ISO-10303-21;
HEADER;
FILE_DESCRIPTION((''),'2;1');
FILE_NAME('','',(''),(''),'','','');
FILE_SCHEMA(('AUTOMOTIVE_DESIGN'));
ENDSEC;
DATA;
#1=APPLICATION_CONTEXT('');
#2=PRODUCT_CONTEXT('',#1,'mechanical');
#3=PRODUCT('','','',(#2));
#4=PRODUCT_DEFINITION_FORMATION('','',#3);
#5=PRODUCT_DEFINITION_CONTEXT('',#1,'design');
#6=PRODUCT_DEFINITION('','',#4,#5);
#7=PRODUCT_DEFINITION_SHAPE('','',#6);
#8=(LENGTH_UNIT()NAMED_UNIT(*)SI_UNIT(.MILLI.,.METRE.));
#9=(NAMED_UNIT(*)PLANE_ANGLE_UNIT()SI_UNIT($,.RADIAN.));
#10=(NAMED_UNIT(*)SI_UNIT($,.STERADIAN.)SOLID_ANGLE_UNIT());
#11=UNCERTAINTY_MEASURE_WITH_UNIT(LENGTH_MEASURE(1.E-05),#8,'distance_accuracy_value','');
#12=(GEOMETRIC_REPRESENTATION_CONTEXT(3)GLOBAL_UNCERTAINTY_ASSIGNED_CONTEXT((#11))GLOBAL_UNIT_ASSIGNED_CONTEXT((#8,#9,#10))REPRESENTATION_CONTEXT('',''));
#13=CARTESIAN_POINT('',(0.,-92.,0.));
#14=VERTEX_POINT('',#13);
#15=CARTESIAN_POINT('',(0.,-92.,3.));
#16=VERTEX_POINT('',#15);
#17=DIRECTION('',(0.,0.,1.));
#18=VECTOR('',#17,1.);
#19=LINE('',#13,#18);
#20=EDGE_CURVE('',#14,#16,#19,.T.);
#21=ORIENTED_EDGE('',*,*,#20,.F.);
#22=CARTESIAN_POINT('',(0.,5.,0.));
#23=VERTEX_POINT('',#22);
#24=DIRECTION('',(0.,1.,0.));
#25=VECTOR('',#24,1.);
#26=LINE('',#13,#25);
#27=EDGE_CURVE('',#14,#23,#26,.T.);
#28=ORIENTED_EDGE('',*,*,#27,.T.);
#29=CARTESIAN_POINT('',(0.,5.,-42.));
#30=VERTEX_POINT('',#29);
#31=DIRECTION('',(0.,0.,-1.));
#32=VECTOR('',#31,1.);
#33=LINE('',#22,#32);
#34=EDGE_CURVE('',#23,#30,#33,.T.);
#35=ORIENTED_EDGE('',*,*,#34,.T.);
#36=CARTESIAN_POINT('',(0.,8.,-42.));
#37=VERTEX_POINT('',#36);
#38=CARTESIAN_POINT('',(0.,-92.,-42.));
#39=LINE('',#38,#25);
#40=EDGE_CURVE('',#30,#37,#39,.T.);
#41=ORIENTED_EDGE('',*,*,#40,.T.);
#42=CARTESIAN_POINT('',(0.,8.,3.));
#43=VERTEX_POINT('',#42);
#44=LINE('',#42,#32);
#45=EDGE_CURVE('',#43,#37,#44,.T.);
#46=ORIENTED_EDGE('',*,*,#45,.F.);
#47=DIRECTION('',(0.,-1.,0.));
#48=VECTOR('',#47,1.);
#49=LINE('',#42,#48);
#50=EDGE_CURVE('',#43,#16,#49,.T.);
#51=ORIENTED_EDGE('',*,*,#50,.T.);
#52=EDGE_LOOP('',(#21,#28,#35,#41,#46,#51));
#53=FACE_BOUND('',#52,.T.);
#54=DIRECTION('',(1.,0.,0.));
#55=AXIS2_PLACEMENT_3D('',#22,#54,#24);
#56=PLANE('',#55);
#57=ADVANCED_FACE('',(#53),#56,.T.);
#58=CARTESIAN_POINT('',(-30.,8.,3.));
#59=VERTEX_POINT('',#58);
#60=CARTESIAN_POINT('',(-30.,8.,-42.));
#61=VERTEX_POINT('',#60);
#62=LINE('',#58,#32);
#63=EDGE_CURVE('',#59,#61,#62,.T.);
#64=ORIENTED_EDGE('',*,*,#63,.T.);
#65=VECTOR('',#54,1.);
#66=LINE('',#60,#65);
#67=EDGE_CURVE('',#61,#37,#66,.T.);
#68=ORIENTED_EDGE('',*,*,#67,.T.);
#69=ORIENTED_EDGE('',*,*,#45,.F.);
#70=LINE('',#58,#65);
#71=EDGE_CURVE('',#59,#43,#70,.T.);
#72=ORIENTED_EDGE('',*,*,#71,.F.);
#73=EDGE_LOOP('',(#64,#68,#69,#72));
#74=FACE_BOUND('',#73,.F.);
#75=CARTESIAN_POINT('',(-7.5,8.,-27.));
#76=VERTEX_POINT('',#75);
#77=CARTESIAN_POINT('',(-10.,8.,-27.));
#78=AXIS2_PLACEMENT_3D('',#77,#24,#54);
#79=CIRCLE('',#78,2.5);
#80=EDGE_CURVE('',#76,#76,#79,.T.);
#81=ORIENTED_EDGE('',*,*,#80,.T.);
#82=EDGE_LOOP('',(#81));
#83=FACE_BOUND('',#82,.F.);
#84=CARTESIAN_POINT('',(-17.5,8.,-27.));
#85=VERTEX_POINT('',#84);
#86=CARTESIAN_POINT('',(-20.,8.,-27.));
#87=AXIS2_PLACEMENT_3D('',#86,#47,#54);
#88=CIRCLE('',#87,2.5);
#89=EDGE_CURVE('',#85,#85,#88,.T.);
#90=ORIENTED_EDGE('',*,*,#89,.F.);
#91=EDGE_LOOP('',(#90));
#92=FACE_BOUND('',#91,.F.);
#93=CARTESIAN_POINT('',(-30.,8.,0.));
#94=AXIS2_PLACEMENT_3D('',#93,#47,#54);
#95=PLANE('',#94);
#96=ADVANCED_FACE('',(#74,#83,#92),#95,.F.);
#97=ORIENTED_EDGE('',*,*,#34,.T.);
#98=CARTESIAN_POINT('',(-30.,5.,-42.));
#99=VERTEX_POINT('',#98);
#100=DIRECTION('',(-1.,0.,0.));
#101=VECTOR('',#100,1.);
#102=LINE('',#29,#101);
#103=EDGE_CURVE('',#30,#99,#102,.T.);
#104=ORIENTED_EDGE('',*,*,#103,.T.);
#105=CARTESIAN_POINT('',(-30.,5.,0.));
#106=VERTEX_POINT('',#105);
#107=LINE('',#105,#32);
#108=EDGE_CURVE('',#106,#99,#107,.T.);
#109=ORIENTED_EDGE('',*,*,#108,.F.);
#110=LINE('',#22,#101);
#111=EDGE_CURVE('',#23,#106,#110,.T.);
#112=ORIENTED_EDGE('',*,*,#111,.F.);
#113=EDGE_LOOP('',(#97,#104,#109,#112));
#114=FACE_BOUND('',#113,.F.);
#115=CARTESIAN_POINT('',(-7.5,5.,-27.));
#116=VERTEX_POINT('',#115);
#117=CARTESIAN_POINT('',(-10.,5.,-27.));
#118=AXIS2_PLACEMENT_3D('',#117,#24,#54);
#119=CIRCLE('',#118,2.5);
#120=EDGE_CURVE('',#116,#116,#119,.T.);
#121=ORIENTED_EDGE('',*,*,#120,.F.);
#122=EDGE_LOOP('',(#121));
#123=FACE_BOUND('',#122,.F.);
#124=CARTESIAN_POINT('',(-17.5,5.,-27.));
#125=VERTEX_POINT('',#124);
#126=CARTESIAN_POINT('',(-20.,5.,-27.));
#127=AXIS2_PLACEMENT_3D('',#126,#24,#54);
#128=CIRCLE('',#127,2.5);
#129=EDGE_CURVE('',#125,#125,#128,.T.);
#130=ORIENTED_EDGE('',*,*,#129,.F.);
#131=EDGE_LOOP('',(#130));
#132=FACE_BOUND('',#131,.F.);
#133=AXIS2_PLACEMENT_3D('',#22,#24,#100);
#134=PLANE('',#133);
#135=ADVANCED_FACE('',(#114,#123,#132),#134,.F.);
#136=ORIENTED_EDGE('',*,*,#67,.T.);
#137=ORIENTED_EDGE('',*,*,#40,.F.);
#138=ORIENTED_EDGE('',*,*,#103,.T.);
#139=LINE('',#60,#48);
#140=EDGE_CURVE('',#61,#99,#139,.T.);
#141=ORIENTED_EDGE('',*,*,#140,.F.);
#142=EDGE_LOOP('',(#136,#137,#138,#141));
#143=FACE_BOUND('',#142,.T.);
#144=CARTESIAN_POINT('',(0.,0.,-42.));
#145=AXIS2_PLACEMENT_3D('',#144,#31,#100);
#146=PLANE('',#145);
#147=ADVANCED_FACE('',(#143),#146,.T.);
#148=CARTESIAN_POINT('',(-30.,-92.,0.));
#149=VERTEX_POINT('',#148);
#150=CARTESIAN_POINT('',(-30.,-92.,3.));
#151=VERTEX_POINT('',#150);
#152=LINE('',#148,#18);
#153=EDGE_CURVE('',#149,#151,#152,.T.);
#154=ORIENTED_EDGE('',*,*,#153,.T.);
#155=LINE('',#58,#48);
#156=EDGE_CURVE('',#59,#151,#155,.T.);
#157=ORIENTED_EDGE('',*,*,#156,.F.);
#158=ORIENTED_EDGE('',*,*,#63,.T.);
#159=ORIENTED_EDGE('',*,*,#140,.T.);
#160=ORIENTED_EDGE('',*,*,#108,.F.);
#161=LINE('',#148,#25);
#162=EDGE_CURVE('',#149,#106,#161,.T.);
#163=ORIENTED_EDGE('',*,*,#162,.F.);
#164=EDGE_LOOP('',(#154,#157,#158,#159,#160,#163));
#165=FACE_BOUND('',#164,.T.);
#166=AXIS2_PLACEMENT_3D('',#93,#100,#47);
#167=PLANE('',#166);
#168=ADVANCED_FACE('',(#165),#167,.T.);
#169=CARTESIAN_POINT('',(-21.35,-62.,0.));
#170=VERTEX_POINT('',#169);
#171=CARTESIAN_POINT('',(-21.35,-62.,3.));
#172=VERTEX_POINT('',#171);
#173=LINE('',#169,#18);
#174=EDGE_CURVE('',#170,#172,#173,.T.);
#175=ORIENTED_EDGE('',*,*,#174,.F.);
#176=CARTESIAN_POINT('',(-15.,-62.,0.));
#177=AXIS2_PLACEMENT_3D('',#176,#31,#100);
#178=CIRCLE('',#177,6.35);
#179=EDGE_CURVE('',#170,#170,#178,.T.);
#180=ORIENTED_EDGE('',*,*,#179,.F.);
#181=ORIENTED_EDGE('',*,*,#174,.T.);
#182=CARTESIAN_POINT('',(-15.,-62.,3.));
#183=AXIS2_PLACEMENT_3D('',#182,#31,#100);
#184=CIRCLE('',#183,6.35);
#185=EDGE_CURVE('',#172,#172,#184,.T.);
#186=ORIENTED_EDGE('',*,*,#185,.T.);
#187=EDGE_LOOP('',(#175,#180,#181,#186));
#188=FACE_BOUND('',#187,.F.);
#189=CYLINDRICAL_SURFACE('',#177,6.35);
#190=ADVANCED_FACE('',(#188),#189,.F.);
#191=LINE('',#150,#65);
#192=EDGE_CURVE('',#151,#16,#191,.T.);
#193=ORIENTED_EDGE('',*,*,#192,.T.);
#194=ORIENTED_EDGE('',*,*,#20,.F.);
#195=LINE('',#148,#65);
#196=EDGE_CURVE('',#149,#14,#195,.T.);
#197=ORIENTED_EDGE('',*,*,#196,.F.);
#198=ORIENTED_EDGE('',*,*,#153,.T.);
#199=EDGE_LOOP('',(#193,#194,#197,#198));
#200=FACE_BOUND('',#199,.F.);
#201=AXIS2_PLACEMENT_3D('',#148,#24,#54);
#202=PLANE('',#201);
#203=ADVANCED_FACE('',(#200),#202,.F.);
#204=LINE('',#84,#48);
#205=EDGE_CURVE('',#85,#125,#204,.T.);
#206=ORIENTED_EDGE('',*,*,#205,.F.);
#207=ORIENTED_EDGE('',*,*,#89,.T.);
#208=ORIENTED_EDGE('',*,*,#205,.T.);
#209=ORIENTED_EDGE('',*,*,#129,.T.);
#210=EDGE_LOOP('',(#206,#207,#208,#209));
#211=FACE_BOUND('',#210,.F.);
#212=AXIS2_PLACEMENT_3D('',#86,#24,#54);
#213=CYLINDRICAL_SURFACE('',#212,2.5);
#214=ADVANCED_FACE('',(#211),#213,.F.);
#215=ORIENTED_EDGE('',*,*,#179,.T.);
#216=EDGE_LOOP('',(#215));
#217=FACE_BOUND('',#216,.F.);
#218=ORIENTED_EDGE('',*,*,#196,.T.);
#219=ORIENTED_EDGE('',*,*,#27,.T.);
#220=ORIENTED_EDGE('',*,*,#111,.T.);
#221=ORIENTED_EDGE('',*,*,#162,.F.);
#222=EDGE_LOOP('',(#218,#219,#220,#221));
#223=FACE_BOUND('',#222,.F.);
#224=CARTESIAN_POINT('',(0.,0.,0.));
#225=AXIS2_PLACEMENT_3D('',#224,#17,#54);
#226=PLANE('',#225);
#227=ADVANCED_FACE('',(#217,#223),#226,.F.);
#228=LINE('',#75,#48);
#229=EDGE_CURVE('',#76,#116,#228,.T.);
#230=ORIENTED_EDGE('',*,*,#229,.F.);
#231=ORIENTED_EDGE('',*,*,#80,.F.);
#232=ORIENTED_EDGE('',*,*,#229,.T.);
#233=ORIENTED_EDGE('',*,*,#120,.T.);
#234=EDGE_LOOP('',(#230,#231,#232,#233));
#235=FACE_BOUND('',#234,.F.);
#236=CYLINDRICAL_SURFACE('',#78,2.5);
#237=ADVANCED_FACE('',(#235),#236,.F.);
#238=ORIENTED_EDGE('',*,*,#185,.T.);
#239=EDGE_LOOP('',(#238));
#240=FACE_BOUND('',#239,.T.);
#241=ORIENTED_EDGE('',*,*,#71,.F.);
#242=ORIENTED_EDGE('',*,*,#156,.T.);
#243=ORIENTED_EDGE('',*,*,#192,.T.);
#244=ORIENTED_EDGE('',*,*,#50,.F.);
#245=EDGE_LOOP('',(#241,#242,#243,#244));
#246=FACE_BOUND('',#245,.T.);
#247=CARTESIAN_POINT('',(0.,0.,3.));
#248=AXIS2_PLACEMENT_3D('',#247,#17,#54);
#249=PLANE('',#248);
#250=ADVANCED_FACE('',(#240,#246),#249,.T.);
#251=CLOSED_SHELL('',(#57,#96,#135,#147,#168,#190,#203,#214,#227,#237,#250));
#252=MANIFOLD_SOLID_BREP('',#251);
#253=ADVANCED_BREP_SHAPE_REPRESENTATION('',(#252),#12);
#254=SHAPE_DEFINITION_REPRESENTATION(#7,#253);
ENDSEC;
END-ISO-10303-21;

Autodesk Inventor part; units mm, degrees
ref_plane "YZ Plane" through (0, 0, 0) normal (1, 0, 0) x (0, 1, 0)
ref_plane "XZ Plane" through (0, 0, 0) normal (0, 1, 0) x (-1, 0, 0)
ref_plane "XY Plane" through (0, 0, 0) normal (0, 0, 1) x (1, 0, 0)
sketch "Sketch1" plane through (0, 0, 0) normal (0, 0, 1) x (1, 0, 0)
  line L0 (0, 0) -> (-30, 0)
  line L1 (-30, 0) -> (-30, 8)
  line L2 (-30, 8) -> (0, 8)
  line L3 (0, 8) -> (0, 0)
  line L4 (0, 8) -> (-30, 8)
  line L5 (-30, 8) -> (-30, -92)
  line L6 (-30, -92) -> (0, -92)
  line L7 (0, -92) -> (0, 8)
  dimension "d0" = 30
  dimension "d1" = 8
  dimension "d2" = 100
extrude "Extrusion1" add sketch "Sketch1" along normal blind 3
sketch "Sketch2" plane through (0, 0, 0) normal (0, 0, -1) x (-1, 0, 0)
  line L0 (30, 8) -> (30, -92) projected
  line L1 (0, -92) -> (0, 8) projected
  line L2 (30, 8) -> (0, 8)
  line L3 (0, 8) -> (0, 5)
  line L4 (0, 5) -> (30, 5)
  line L5 (30, 5) -> (30, 8)
  point P0 (0, 0)
  point P1 (0, 8)
  dimension "d5" = 3
extrude "Extrusion2" add sketch "Sketch2" along normal blind 42
sketch "Sketch3" plane through (-30, 8, 3) normal (0, 1, 0) x (1, 0, 0)
  line L0 (0, 45) -> (0, 0) projected
  line L1 (0, 45) -> (0, 30)
  line L2 (0, 30) -> (10, 30)
  circle A0 centre (10, 30) radius 2.5
  line L3 (30, 0) -> (30, 45) projected
  line L4 (30, 45) -> (30, 30)
  circle A1 centre (20, 30) radius 2.5
  point P0 (30, 3)
  dimension "d8" = 15
  dimension "d9" = 10
  dimension "d10" = 5
  dimension "d11" = 15
  dimension "d12" = 5
  dimension "d13" = 10
extrude "Extrusion3" cut sketch "Sketch3" against normal blind 42
sketch "Sketch4" plane through (0, 0, 0) normal (0, 0, -1) x (-1, 0, 0)
  circle A0 centre (15, -62) radius 6.35
  line L0 (30, -92) -> (0, -92) projected
  line L1 (0, -92) -> (0, 5) projected
  point P0 (0, 0)
  dimension "d16" = 12.7
  dimension "d17" = 30
  dimension "d18" = 15
extrude "Extrusion4" cut sketch "Sketch4" against normal blind 42
sketch "Sketch5" plane through (-30, 8, 3) normal (0, 1, 0) x (1, 0, 0)
  point P0 (30, 3)
sketch "Sketch6" plane through (-30, 8, 3) normal (0, 1, 0) x (1, 0, 0)
  point P0 (30, 3)
properties part number "Angle"
